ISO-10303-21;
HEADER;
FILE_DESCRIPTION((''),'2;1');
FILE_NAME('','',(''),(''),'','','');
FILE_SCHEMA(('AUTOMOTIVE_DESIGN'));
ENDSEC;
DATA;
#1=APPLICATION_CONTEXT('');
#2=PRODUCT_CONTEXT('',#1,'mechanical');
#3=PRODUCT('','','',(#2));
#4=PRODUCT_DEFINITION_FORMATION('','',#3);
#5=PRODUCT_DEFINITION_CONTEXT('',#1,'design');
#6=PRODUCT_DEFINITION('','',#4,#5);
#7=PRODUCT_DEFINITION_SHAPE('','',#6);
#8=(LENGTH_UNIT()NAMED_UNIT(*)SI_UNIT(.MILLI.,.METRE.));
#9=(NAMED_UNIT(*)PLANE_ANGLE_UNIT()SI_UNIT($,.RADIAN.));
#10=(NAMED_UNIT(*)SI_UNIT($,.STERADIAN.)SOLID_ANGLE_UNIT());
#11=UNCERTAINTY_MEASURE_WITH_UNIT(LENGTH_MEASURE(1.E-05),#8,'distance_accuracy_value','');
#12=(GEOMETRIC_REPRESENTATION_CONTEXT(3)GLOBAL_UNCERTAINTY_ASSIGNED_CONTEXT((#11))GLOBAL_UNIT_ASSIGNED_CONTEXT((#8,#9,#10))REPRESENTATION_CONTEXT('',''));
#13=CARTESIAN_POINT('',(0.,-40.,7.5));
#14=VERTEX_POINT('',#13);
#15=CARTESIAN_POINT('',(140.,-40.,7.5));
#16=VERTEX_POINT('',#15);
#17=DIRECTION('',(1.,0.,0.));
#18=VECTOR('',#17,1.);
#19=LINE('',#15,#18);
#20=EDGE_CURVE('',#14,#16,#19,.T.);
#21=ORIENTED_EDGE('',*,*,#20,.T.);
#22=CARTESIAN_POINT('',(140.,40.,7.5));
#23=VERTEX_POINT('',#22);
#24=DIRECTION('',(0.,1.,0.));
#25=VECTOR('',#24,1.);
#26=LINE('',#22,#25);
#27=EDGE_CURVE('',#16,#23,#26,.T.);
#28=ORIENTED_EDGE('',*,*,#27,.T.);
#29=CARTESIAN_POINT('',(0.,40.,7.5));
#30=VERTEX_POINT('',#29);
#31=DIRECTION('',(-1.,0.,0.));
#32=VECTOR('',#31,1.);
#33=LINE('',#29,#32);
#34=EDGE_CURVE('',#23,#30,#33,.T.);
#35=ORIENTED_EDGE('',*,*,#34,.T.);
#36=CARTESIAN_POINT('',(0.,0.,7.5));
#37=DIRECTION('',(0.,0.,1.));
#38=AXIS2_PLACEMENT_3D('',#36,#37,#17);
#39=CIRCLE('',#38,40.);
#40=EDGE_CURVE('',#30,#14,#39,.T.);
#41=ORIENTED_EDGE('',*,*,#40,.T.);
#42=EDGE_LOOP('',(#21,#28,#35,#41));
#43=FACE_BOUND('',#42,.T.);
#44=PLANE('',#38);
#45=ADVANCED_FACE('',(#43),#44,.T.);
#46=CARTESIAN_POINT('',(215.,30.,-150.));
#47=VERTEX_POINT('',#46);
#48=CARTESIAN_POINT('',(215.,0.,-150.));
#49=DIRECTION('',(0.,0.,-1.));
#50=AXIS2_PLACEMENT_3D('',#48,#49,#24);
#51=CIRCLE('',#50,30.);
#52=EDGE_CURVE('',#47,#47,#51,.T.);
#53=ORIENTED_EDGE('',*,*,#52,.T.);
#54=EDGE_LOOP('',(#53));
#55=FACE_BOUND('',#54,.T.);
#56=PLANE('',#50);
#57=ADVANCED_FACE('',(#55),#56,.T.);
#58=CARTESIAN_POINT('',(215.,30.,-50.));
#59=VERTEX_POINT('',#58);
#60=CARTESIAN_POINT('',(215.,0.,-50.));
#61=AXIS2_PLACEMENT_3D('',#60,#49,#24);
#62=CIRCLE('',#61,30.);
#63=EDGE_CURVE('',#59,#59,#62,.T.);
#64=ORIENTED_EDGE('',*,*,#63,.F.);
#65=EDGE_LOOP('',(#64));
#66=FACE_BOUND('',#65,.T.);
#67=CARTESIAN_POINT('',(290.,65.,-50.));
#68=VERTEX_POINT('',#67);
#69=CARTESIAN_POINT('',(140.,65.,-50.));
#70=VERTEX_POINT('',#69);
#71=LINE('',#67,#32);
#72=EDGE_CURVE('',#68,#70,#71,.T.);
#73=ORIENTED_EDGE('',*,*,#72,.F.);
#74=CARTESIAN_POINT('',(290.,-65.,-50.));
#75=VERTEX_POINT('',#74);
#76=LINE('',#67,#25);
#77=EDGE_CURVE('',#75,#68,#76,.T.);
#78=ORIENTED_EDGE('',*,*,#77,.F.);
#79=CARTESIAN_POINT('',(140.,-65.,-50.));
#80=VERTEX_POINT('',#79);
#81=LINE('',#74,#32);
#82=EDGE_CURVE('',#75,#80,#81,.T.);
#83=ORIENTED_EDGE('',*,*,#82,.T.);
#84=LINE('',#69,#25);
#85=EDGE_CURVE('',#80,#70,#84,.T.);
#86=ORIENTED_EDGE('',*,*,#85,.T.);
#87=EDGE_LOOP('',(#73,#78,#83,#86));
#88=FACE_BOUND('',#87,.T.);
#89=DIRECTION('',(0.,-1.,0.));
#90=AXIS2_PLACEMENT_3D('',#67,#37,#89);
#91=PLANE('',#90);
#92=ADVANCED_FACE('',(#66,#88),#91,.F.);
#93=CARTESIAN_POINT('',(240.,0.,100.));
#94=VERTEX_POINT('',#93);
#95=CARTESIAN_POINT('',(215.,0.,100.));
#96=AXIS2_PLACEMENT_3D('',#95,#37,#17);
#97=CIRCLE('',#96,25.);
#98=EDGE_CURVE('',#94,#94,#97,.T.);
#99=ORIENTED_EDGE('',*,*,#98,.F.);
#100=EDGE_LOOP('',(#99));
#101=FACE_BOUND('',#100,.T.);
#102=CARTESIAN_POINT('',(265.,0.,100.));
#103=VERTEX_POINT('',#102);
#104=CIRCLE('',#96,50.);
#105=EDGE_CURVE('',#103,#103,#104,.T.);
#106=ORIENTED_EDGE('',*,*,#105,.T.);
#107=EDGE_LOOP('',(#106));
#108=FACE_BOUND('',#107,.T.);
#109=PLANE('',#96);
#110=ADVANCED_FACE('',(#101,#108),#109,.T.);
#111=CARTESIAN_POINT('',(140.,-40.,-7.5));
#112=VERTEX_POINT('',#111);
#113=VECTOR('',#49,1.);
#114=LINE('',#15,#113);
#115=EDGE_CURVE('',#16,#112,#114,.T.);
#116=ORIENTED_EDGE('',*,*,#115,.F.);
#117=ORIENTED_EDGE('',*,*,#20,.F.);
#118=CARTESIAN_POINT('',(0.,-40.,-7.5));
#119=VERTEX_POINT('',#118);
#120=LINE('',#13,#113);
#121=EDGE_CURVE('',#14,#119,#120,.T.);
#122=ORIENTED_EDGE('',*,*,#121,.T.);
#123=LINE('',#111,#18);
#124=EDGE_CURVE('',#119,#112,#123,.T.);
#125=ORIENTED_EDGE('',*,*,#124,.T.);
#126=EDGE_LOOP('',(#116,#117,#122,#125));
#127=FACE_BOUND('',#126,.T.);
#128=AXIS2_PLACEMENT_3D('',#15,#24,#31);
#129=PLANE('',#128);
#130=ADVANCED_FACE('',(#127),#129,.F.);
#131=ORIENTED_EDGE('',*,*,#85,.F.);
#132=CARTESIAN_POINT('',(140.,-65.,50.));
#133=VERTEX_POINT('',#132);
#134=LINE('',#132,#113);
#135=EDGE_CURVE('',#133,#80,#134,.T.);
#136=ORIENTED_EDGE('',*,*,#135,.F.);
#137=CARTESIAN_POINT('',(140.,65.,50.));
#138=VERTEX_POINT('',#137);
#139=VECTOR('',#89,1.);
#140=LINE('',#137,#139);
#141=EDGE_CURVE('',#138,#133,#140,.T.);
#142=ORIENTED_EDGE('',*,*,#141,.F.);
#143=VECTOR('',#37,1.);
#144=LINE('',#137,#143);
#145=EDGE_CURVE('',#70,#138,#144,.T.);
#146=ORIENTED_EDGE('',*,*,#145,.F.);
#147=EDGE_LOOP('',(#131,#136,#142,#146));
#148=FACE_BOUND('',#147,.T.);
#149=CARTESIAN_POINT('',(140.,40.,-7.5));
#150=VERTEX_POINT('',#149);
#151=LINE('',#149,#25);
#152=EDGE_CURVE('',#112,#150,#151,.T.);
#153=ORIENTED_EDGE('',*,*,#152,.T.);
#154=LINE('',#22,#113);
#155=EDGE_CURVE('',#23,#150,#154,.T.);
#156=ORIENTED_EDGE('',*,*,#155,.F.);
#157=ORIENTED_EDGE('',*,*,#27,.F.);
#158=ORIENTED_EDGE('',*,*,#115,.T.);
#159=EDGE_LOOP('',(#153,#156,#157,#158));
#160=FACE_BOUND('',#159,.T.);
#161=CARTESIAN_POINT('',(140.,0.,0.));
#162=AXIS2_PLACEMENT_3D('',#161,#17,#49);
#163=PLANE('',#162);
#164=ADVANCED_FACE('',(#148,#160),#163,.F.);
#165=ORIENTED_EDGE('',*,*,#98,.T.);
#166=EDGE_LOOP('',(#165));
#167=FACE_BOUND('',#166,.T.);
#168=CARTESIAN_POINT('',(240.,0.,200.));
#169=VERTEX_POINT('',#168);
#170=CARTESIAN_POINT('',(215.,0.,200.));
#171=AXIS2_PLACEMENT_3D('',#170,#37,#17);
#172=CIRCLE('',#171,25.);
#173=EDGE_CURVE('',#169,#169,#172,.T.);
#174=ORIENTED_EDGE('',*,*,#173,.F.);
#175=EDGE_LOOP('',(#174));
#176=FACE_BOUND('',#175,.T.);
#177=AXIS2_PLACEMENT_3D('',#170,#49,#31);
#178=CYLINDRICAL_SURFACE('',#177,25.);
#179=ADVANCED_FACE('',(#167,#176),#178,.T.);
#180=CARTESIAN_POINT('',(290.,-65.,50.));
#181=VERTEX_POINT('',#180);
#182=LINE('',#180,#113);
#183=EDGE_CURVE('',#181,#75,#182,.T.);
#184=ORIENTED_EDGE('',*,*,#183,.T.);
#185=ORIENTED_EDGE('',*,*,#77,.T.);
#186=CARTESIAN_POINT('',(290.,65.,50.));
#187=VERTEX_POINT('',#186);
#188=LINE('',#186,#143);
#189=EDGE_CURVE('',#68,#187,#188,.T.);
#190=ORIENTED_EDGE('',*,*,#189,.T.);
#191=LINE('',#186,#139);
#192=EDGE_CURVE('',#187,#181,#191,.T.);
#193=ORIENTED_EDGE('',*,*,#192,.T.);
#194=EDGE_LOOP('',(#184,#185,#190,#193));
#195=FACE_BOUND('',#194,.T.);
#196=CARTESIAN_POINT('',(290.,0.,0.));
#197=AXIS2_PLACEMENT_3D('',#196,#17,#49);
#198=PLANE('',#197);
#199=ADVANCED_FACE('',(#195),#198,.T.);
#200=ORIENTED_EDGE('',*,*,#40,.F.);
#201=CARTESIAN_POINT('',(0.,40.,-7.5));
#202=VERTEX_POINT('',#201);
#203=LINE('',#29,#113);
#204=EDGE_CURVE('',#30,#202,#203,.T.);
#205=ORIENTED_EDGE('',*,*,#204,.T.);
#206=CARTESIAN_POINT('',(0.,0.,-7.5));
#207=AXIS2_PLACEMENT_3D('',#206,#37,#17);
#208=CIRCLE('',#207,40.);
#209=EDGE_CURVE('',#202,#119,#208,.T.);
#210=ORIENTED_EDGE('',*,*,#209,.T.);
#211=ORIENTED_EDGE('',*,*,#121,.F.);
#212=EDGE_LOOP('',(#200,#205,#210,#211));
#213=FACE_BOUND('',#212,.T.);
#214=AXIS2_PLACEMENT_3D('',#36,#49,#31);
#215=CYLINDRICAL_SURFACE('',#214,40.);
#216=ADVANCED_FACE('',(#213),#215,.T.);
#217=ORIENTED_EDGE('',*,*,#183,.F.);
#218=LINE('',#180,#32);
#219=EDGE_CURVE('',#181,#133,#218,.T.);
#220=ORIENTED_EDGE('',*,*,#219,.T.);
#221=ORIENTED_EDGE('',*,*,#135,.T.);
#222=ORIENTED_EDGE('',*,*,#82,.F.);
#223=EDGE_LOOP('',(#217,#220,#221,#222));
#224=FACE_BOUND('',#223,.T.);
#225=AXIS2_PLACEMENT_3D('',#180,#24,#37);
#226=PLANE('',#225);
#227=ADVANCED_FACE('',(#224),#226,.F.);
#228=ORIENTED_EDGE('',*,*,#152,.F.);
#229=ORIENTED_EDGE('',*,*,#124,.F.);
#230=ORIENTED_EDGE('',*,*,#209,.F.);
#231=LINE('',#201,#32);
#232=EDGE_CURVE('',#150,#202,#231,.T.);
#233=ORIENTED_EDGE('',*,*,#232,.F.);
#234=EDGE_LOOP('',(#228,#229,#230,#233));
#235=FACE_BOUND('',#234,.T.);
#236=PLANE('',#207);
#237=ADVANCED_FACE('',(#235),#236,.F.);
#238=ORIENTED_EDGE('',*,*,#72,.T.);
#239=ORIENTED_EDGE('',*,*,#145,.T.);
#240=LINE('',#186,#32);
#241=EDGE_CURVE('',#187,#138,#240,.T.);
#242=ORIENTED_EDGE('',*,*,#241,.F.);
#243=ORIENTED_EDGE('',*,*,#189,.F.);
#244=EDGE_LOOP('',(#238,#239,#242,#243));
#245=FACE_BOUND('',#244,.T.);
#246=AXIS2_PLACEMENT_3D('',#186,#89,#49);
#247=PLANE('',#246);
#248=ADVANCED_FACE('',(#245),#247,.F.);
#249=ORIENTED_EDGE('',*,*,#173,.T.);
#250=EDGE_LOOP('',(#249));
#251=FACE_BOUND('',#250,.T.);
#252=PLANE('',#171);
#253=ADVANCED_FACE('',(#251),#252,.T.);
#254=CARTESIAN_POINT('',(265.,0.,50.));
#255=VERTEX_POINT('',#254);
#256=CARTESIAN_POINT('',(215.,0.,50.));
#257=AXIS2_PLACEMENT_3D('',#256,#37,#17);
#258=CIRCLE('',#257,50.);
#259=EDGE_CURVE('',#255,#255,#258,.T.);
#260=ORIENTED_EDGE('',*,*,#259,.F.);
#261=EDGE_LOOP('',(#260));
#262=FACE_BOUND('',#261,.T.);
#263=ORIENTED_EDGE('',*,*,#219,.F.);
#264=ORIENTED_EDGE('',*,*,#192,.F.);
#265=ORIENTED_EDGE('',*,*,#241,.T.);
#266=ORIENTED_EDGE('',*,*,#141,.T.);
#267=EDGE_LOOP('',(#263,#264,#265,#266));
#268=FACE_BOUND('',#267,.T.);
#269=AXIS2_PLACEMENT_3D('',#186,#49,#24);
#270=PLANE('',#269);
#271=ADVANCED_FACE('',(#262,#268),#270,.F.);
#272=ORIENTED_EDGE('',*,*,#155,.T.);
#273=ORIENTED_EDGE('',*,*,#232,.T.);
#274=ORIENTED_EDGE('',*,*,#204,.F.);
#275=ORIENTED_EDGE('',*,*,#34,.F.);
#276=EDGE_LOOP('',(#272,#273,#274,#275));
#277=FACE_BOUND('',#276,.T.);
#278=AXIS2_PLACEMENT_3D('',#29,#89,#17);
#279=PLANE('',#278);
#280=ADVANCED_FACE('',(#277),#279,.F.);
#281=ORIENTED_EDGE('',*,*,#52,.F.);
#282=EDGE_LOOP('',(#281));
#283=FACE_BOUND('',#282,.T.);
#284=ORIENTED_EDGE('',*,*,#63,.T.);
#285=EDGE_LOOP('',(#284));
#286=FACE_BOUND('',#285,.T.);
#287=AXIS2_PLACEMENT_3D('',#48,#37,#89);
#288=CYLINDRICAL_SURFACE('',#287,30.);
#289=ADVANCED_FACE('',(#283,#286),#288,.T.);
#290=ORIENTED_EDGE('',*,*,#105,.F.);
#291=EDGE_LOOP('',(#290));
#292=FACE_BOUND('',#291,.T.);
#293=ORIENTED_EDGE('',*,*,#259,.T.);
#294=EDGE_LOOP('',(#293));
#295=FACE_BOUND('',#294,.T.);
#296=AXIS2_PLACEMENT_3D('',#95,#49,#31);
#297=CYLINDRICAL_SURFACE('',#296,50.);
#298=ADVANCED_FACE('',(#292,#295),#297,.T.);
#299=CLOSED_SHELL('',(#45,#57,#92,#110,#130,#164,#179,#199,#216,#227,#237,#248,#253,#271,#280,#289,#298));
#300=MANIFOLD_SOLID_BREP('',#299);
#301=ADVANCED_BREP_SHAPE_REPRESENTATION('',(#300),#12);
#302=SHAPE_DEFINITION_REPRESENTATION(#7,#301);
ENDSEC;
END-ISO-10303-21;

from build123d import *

# Parameters (mm, degrees)
BOSS_EXTRUDE1_DEPTH = 7.5
SKETCH3_W           = 100
SKETCH3_H           = 130
BOSS_EXTRUDE2_DEPTH = 150
SKETCH4_R           = 30
BOSS_EXTRUDE3_DEPTH = 100
SKETCH5_R           = 50
BOSS_EXTRUDE4_DEPTH = 50
SKETCH6_R           = 25
BOSS_EXTRUDE5_DEPTH = 100


with BuildPart() as part:
    # Sketch1 → Boss-Extrude1 (new body, symmetric)
    with BuildSketch(Plane.XY):
        with BuildLine():
            Line((0, 40), (140, 40))
            Line((140, 40), (140, -40))
            Line((140, -40), (0, -40))
            ThreePointArc((0, -40), (-40, 0), (0, 40))
        make_face()
    extrude(amount=BOSS_EXTRUDE1_DEPTH, both=True)

    # Sketch3 → Boss-Extrude2 (add)
    with BuildSketch(Plane(origin=(140, 0, 0), x_dir=(0, 0, -1), z_dir=(1, 0, 0))):
        Rectangle(SKETCH3_W, SKETCH3_H)
    extrude(amount=BOSS_EXTRUDE2_DEPTH)

    # Sketch4 → Boss-Extrude3 (add)
    with BuildSketch(Plane(origin=(0, 0, -50), x_dir=(-1, 0, 0), z_dir=(0, 0, -1))):
        with Locations((-215, 0)):
            Circle(SKETCH4_R)
    extrude(amount=BOSS_EXTRUDE3_DEPTH)

    # Sketch5 → Boss-Extrude4 (add)
    with BuildSketch(Plane.XY.offset(50)):
        with Locations((215, 0)):
            Circle(SKETCH5_R)
    extrude(amount=BOSS_EXTRUDE4_DEPTH)

    # Sketch6 → Boss-Extrude5 (add)
    with BuildSketch(Plane.XY.offset(100)):
        with Locations((215, 0)):
            Circle(SKETCH6_R)
    extrude(amount=BOSS_EXTRUDE5_DEPTH)


solid = part.part
